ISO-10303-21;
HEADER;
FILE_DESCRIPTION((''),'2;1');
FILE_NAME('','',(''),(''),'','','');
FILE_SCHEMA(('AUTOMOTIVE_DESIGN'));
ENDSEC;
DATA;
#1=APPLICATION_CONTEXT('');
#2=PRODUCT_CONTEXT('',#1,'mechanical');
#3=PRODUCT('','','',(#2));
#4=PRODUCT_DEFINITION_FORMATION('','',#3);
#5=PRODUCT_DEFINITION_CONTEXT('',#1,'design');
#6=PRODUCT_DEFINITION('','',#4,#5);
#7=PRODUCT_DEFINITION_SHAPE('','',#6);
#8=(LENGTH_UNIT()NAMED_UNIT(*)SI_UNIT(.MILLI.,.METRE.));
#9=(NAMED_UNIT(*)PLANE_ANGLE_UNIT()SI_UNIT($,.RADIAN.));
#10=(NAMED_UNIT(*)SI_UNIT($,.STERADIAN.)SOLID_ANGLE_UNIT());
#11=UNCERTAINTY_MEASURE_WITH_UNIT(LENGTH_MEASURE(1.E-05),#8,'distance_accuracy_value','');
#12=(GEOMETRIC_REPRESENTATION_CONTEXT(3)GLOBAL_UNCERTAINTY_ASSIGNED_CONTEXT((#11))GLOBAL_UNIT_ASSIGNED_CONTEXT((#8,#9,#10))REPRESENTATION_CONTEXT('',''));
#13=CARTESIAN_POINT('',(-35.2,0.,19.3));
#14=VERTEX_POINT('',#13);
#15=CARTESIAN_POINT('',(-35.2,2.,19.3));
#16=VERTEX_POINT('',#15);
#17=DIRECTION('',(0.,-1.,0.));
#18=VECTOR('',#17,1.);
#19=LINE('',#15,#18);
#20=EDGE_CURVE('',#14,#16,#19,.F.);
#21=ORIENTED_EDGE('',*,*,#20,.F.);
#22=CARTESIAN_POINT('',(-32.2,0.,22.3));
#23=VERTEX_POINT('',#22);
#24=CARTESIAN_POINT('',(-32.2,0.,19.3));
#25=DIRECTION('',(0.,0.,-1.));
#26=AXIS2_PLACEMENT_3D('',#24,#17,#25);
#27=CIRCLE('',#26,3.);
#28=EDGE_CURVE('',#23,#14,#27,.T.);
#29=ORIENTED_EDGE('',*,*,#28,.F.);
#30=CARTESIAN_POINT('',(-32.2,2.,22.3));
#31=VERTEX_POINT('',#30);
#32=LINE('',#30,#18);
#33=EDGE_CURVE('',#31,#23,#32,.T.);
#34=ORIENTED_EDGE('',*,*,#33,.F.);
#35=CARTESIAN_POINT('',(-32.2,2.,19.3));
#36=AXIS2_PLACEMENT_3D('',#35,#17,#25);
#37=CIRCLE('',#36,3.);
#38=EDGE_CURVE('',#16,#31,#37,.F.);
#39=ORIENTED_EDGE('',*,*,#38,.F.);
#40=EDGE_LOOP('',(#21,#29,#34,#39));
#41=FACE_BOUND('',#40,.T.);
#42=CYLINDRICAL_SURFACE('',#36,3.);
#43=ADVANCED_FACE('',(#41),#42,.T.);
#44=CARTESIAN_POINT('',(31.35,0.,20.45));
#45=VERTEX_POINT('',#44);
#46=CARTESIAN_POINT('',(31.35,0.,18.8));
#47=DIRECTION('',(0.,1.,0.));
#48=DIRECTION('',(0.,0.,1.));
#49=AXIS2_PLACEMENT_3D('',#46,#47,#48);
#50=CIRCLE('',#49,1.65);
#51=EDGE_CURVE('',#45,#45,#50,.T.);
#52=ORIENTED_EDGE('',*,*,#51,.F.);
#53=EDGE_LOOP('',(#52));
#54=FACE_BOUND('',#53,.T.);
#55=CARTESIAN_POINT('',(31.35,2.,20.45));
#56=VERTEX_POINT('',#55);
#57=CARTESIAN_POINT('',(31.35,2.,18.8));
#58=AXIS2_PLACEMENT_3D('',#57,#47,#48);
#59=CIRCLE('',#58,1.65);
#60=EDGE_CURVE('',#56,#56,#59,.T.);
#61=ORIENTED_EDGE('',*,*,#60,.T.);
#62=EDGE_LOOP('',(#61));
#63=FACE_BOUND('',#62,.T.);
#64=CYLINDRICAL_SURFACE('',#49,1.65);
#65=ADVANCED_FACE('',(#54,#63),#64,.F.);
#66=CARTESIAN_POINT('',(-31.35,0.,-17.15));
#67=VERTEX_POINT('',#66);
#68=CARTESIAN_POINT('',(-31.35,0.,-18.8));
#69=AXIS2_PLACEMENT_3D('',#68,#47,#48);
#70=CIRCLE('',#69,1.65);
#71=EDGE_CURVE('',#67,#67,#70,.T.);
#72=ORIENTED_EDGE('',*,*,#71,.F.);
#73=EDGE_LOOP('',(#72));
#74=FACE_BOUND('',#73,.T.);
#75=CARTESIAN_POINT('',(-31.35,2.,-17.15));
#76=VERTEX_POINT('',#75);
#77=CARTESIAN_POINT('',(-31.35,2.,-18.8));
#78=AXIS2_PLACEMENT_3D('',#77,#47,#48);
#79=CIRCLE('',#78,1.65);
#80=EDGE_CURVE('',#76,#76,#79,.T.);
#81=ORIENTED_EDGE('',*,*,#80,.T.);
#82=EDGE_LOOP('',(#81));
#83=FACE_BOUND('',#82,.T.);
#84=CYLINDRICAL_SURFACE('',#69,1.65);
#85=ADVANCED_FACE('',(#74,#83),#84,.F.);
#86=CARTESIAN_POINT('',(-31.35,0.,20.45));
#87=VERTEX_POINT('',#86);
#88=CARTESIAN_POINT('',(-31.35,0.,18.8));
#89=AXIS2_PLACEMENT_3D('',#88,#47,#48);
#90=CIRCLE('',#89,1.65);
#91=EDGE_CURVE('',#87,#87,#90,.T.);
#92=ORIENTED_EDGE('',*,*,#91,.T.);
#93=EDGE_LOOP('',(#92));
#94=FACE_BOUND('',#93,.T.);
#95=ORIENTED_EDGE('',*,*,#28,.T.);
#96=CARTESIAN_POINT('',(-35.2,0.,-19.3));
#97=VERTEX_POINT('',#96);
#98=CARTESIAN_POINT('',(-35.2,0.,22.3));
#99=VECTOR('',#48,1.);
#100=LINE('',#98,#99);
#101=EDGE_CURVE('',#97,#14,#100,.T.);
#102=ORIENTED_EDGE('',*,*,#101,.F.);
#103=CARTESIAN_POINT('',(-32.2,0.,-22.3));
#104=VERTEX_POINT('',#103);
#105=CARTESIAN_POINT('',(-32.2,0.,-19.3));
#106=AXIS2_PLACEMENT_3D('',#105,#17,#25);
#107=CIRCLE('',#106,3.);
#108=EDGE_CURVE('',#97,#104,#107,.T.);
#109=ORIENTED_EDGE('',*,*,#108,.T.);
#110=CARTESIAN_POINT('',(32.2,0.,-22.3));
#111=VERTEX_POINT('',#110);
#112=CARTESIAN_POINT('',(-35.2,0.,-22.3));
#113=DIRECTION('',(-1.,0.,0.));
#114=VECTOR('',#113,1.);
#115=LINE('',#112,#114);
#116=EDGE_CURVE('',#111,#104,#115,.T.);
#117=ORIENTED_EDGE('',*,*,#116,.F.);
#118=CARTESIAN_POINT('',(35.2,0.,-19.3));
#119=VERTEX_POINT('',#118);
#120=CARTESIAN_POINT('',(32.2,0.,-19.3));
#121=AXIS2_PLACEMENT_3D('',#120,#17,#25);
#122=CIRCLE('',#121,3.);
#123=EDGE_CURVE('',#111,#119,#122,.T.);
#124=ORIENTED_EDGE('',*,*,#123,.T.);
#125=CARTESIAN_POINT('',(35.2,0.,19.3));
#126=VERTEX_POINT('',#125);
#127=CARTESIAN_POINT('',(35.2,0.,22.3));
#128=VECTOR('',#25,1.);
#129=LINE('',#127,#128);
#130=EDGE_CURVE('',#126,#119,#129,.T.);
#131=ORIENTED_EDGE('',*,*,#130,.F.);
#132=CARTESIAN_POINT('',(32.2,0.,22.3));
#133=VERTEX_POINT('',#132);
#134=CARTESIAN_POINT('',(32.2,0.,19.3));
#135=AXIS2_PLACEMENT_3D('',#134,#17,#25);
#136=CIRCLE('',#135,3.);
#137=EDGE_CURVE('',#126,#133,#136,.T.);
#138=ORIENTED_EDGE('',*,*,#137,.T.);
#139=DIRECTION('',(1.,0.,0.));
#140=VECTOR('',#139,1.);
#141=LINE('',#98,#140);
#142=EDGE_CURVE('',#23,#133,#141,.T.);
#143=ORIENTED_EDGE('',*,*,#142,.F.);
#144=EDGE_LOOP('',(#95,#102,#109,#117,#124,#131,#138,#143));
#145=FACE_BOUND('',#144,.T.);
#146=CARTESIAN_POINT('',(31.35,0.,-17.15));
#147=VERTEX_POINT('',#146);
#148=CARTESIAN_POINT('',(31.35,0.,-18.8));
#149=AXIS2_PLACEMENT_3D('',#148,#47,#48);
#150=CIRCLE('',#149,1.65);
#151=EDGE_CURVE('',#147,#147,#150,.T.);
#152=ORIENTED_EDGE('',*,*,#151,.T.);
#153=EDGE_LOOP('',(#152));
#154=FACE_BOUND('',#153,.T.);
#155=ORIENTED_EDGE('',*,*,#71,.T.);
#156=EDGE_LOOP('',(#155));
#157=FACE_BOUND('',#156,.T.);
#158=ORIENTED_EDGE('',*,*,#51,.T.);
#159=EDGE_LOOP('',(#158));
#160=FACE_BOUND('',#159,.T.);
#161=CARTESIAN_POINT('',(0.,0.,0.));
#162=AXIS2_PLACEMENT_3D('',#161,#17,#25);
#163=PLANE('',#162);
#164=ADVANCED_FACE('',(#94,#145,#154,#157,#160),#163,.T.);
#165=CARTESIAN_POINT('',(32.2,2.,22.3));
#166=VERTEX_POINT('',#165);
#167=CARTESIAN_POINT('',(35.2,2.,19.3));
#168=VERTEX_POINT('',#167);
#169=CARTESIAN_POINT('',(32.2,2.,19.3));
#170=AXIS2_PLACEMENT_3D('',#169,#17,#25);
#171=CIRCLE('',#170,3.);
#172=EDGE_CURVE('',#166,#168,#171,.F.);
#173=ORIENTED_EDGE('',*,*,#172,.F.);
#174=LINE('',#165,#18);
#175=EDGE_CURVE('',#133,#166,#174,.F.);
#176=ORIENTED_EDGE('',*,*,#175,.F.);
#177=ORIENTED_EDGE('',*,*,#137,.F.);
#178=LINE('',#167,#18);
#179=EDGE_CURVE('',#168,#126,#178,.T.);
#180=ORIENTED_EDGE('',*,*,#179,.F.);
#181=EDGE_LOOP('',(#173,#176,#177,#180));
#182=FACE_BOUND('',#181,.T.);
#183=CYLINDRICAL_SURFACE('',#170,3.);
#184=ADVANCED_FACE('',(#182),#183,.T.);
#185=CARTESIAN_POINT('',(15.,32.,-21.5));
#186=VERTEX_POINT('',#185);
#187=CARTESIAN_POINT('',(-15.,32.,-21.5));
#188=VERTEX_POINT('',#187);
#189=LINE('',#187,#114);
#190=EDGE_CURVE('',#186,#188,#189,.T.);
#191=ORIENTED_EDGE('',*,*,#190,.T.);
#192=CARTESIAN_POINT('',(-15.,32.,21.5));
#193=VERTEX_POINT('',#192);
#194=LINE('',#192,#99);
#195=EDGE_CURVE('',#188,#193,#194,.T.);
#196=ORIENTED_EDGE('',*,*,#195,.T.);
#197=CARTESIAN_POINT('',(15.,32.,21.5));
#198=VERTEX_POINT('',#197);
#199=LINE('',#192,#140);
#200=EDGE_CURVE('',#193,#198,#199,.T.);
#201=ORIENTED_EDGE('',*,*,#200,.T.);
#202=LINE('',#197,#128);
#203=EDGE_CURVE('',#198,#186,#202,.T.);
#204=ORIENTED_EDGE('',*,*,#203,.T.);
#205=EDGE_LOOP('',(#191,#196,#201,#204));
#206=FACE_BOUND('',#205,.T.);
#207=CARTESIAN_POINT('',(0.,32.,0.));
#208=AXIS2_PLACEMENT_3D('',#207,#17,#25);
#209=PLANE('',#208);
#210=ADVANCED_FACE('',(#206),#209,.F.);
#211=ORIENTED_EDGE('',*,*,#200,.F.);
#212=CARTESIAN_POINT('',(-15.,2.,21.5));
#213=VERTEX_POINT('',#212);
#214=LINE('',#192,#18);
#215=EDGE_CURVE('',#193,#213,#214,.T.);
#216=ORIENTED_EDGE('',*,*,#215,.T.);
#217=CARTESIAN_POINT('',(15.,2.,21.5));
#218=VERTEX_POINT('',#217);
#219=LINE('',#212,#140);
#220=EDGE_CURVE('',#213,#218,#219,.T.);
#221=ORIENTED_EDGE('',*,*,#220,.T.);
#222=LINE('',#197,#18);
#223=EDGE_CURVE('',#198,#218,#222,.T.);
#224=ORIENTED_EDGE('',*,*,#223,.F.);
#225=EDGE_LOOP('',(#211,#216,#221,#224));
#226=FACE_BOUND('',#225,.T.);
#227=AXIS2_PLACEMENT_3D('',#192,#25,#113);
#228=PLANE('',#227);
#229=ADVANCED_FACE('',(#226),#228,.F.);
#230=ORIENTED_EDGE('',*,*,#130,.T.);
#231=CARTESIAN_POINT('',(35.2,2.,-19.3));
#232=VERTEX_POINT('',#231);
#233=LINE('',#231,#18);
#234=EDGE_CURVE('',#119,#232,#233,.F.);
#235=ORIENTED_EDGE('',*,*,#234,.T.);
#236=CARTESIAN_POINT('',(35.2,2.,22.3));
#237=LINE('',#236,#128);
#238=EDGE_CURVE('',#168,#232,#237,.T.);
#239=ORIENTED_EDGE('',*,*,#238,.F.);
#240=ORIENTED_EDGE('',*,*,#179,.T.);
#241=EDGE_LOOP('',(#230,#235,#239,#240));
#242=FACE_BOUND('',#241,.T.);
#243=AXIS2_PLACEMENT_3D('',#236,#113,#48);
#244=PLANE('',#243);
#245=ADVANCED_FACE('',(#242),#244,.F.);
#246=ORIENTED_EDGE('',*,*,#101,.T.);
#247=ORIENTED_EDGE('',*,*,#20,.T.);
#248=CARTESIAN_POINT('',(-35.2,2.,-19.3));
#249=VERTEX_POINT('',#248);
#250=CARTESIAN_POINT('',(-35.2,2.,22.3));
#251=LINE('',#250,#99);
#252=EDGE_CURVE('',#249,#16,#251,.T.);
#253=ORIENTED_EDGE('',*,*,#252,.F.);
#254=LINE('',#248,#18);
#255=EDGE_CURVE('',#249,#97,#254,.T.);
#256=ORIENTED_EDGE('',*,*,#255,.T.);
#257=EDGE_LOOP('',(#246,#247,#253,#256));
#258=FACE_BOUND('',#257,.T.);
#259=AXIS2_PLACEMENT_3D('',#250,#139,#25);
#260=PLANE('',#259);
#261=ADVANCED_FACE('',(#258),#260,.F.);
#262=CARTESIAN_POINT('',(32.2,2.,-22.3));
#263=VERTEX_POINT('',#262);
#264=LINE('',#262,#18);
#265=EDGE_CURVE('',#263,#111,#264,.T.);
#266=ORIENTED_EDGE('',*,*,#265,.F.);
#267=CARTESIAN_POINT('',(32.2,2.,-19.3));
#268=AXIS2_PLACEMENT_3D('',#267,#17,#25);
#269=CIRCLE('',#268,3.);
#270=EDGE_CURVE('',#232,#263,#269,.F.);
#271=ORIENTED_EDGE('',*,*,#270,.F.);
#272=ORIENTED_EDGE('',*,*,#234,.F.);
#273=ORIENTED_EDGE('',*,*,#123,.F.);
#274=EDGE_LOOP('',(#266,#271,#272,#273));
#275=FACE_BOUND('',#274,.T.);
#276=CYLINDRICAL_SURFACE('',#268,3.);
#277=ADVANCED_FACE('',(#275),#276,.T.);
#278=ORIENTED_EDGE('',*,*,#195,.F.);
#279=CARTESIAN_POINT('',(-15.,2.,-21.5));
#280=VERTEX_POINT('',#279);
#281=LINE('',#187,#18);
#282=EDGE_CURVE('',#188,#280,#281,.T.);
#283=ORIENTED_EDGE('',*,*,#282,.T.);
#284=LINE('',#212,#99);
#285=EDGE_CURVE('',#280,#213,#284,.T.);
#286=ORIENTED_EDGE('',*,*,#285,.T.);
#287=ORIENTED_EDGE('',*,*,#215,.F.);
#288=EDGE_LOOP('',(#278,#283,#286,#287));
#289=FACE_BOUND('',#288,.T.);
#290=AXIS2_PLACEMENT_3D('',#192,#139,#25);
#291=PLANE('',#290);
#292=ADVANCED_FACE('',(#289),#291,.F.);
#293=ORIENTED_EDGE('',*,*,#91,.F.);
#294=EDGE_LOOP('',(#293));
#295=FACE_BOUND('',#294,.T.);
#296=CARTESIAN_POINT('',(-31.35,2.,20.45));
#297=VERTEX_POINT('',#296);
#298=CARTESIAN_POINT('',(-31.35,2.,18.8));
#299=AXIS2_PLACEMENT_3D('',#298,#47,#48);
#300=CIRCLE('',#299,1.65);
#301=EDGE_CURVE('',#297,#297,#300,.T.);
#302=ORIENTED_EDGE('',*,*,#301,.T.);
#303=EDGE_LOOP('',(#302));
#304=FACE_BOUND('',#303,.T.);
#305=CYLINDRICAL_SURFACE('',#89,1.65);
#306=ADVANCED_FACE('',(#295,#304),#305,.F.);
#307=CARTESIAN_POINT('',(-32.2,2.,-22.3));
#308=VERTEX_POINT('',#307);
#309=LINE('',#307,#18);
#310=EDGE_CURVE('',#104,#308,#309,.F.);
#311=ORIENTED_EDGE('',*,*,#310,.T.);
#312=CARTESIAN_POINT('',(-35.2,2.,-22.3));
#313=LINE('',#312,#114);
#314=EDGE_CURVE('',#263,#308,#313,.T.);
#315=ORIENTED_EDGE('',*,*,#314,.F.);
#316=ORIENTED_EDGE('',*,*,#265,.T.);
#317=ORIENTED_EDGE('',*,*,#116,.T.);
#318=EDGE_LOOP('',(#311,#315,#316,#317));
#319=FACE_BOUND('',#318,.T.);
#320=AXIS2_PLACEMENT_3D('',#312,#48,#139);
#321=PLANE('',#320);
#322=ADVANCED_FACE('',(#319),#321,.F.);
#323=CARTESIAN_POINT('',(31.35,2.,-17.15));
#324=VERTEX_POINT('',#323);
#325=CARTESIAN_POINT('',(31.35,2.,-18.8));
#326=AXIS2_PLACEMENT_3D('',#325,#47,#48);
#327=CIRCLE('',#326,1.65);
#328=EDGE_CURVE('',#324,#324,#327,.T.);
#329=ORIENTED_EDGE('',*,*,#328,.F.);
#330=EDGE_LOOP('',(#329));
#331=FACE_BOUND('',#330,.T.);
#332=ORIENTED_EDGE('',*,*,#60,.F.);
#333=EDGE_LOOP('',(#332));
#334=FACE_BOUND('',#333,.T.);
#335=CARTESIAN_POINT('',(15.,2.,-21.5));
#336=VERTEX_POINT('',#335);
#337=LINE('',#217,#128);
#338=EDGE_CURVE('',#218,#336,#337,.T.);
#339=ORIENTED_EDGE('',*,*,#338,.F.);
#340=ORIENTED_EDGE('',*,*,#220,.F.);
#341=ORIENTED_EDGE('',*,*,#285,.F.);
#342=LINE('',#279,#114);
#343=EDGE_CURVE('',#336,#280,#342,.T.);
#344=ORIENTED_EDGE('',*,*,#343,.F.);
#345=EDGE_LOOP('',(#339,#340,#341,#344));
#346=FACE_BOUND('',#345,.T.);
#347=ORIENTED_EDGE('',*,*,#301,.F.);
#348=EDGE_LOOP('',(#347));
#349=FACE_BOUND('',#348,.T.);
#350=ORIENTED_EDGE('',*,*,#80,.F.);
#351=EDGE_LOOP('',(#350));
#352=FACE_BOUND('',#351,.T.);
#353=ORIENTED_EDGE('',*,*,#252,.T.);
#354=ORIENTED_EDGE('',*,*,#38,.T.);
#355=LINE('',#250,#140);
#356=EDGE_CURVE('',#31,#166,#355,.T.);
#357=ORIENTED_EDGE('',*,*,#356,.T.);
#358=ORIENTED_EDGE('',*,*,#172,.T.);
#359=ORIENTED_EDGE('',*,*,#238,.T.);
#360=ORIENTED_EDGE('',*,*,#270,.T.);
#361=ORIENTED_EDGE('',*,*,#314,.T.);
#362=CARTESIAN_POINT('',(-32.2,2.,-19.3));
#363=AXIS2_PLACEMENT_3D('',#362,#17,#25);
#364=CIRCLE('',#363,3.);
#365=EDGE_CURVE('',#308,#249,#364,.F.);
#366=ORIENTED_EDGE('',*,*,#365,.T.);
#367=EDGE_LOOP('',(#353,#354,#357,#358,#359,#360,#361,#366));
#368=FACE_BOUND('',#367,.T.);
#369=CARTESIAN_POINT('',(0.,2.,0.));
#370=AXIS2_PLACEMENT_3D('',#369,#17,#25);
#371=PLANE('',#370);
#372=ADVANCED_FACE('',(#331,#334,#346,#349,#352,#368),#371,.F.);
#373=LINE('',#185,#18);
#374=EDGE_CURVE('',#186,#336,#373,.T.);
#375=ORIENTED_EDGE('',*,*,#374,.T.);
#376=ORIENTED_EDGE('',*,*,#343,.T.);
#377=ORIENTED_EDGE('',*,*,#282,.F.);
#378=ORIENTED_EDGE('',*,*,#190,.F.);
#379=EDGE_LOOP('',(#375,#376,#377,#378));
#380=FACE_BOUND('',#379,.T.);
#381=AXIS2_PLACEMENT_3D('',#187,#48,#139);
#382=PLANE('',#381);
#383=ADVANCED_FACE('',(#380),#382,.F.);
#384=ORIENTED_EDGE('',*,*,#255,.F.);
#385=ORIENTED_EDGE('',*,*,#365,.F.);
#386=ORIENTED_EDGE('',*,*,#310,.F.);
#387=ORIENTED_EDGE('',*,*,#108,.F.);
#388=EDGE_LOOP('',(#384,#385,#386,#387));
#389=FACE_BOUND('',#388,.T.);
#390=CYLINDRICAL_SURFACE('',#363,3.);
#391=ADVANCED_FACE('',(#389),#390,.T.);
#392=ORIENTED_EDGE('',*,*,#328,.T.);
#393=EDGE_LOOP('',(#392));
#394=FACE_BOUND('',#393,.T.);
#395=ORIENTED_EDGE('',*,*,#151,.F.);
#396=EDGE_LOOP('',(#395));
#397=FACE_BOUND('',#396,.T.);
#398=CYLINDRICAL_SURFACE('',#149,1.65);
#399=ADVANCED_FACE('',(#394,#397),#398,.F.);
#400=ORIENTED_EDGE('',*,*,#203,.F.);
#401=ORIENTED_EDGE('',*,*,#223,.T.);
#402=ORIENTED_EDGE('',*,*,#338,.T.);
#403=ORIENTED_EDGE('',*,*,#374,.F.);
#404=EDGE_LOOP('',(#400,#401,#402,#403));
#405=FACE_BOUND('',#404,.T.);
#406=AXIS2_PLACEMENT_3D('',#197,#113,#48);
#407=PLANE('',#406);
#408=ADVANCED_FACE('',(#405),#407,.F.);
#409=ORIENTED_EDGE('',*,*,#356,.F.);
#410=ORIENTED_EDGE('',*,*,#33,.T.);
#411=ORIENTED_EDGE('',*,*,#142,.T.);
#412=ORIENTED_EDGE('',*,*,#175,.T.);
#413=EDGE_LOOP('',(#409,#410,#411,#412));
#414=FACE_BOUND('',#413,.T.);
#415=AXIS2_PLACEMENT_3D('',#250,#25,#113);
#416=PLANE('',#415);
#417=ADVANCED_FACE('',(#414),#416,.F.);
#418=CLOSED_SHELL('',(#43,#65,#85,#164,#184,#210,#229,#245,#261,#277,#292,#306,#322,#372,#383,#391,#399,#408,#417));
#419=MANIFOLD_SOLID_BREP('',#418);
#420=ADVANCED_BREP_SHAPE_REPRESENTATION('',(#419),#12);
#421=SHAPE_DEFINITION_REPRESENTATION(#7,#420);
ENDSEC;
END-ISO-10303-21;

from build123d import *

# Parameters (mm, degrees)
SKETCH1_W           = 70.4
SKETCH1_H           = 44.6
BOSS_EXTRUDE1_DEPTH = 2
SKETCH3_R           = 1.65
CUT_EXTRUDE1_DEPTH  = 42.717262614
FILLET1_R           = 3
SKETCH4_W           = 30
SKETCH4_H           = 43
BOSS_EXTRUDE2_DEPTH = 30


with BuildPart() as part:
    # Sketch1 → Boss-Extrude1 (new body)
    with BuildSketch(Plane(origin=(0, 0, 0), x_dir=(1, 0, 0), z_dir=(0, 1, 0))):
        Rectangle(SKETCH1_W, SKETCH1_H)
    extrude(amount=BOSS_EXTRUDE1_DEPTH)

    # Sketch3 → Cut-Extrude1 (cut, through all)
    with BuildSketch(Plane(origin=(0, 2, 0), x_dir=(1, 0, 0), z_dir=(0, 1, 0))):
        with Locations(Location((-31.35, 18.8, 0), (0, 0, 270))):
            Circle(SKETCH3_R)
        with Locations(Location((31.35, 18.8, 0), (0, 0, 270))):
            Circle(SKETCH3_R)
        with Locations(Location((31.35, -18.8, 0), (0, 0, 270))):
            Circle(SKETCH3_R)
        with Locations(Location((-31.35, -18.8, 0), (0, 0, 270))):
            Circle(SKETCH3_R)
    extrude(amount=-CUT_EXTRUDE1_DEPTH, mode=Mode.SUBTRACT)

    # Fillet1
    fillet1_edges = [part.edges().sort_by_distance(p)[0] for p in [
        (35.2, 1, 22.3),
        (-35.2, 1, 22.3),
        (-35.2, 1, -22.3),
        (35.2, 1, -22.3),
    ]]
    fillet(fillet1_edges, radius=FILLET1_R)

    # Sketch4 → Boss-Extrude2 (add)
    with BuildSketch(Plane(origin=(0, 2, 0), x_dir=(1, 0, 0), z_dir=(0, 1, 0))):
        Rectangle(SKETCH4_W, SKETCH4_H)
    extrude(amount=BOSS_EXTRUDE2_DEPTH)


solid = part.part
